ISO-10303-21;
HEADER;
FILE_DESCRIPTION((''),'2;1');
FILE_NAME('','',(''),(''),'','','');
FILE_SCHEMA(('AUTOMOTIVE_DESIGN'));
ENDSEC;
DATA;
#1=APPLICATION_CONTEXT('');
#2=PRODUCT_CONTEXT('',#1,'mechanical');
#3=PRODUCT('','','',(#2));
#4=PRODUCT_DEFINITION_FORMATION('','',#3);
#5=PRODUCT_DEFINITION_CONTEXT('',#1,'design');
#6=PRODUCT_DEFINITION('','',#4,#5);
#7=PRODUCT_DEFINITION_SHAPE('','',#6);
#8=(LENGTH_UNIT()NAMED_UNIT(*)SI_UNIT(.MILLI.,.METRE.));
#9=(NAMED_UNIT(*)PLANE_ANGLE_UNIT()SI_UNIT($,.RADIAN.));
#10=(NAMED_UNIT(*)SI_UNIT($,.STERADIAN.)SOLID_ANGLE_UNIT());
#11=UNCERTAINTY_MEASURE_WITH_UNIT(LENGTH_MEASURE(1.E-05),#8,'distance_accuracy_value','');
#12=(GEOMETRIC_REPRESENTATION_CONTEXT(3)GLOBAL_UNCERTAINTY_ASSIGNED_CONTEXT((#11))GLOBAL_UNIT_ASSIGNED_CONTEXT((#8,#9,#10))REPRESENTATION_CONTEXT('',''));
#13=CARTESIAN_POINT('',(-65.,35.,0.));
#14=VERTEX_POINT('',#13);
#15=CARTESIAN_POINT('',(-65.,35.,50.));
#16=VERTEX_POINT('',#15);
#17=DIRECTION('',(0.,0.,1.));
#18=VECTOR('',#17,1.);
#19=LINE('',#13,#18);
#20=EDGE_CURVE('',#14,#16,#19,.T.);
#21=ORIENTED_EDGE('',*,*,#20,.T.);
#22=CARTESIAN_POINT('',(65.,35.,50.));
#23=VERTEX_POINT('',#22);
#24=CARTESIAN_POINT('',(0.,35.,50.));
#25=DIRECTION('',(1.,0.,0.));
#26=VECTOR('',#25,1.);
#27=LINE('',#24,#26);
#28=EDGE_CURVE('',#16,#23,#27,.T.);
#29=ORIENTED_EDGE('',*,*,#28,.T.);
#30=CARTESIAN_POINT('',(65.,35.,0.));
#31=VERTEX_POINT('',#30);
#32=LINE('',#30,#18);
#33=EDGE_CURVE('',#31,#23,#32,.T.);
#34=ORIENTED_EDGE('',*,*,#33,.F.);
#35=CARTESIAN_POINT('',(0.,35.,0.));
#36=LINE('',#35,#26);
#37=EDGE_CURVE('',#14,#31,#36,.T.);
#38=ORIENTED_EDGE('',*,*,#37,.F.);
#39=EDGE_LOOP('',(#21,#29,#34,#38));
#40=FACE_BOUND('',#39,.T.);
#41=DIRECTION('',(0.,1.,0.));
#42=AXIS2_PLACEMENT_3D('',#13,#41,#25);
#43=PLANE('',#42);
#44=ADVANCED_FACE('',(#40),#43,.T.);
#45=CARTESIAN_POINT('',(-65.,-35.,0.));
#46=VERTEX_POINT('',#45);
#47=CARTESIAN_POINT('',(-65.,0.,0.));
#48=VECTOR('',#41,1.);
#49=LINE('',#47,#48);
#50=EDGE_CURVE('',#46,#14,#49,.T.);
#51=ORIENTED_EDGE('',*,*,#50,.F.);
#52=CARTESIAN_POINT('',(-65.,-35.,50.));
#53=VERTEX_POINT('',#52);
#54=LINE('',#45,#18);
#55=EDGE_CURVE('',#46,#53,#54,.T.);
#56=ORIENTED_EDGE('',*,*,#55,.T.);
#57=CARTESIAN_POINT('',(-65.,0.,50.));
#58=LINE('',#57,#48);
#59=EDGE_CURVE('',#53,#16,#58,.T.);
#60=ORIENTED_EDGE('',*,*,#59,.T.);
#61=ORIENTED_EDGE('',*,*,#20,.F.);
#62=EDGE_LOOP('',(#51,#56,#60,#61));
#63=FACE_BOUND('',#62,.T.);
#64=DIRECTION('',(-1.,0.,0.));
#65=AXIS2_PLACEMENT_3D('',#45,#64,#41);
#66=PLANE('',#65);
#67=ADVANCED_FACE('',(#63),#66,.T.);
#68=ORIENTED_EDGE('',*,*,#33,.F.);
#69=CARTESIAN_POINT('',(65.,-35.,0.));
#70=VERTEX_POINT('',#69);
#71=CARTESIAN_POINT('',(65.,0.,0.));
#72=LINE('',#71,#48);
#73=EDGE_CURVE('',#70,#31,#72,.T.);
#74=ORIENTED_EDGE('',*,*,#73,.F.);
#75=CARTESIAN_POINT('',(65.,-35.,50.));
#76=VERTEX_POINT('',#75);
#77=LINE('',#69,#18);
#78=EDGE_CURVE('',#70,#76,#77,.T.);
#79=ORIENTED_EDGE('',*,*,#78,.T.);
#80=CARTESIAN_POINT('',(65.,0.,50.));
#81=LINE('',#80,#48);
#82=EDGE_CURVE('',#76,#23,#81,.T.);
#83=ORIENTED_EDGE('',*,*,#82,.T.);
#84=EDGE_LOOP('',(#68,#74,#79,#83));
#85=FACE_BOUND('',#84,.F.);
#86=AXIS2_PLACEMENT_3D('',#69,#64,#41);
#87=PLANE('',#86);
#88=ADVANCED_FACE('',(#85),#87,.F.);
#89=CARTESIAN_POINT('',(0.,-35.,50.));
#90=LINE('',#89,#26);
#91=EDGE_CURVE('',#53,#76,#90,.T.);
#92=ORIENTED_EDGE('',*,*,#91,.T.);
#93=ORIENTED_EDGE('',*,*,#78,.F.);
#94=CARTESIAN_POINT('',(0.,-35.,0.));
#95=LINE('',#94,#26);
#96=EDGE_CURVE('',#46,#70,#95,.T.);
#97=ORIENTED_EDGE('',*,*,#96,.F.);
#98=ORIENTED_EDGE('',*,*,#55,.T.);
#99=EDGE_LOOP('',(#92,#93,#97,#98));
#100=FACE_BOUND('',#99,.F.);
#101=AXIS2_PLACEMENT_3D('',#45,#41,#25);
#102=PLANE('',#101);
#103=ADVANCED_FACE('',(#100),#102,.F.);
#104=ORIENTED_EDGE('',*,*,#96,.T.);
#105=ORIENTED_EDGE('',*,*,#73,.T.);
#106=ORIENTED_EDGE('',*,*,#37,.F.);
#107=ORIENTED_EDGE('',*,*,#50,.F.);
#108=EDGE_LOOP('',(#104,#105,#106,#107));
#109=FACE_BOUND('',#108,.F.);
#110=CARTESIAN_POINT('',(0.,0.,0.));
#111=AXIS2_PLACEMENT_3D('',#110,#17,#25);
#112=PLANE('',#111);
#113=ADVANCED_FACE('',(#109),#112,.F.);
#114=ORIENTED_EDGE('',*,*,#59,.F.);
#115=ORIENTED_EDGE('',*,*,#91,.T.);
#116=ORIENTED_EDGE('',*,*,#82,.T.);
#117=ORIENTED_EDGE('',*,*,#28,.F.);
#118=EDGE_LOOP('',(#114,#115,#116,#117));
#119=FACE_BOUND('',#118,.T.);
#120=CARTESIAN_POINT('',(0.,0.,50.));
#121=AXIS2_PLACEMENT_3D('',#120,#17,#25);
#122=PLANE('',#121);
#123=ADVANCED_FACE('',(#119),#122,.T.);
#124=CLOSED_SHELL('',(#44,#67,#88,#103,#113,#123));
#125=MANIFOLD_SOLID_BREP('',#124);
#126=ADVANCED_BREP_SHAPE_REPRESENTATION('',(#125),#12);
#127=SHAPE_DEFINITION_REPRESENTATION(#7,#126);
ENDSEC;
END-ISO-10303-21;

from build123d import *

# Parameters (mm, degrees)
SKETCH_W      = 130
SKETCH_H      = 70
EXTRUDE_DEPTH = 50


with BuildPart() as part:
    # Sketch → Extrude (new body)
    with BuildSketch(Plane.XY):
        Rectangle(SKETCH_W, SKETCH_H)
    extrude(amount=EXTRUDE_DEPTH)


solid = part.part
